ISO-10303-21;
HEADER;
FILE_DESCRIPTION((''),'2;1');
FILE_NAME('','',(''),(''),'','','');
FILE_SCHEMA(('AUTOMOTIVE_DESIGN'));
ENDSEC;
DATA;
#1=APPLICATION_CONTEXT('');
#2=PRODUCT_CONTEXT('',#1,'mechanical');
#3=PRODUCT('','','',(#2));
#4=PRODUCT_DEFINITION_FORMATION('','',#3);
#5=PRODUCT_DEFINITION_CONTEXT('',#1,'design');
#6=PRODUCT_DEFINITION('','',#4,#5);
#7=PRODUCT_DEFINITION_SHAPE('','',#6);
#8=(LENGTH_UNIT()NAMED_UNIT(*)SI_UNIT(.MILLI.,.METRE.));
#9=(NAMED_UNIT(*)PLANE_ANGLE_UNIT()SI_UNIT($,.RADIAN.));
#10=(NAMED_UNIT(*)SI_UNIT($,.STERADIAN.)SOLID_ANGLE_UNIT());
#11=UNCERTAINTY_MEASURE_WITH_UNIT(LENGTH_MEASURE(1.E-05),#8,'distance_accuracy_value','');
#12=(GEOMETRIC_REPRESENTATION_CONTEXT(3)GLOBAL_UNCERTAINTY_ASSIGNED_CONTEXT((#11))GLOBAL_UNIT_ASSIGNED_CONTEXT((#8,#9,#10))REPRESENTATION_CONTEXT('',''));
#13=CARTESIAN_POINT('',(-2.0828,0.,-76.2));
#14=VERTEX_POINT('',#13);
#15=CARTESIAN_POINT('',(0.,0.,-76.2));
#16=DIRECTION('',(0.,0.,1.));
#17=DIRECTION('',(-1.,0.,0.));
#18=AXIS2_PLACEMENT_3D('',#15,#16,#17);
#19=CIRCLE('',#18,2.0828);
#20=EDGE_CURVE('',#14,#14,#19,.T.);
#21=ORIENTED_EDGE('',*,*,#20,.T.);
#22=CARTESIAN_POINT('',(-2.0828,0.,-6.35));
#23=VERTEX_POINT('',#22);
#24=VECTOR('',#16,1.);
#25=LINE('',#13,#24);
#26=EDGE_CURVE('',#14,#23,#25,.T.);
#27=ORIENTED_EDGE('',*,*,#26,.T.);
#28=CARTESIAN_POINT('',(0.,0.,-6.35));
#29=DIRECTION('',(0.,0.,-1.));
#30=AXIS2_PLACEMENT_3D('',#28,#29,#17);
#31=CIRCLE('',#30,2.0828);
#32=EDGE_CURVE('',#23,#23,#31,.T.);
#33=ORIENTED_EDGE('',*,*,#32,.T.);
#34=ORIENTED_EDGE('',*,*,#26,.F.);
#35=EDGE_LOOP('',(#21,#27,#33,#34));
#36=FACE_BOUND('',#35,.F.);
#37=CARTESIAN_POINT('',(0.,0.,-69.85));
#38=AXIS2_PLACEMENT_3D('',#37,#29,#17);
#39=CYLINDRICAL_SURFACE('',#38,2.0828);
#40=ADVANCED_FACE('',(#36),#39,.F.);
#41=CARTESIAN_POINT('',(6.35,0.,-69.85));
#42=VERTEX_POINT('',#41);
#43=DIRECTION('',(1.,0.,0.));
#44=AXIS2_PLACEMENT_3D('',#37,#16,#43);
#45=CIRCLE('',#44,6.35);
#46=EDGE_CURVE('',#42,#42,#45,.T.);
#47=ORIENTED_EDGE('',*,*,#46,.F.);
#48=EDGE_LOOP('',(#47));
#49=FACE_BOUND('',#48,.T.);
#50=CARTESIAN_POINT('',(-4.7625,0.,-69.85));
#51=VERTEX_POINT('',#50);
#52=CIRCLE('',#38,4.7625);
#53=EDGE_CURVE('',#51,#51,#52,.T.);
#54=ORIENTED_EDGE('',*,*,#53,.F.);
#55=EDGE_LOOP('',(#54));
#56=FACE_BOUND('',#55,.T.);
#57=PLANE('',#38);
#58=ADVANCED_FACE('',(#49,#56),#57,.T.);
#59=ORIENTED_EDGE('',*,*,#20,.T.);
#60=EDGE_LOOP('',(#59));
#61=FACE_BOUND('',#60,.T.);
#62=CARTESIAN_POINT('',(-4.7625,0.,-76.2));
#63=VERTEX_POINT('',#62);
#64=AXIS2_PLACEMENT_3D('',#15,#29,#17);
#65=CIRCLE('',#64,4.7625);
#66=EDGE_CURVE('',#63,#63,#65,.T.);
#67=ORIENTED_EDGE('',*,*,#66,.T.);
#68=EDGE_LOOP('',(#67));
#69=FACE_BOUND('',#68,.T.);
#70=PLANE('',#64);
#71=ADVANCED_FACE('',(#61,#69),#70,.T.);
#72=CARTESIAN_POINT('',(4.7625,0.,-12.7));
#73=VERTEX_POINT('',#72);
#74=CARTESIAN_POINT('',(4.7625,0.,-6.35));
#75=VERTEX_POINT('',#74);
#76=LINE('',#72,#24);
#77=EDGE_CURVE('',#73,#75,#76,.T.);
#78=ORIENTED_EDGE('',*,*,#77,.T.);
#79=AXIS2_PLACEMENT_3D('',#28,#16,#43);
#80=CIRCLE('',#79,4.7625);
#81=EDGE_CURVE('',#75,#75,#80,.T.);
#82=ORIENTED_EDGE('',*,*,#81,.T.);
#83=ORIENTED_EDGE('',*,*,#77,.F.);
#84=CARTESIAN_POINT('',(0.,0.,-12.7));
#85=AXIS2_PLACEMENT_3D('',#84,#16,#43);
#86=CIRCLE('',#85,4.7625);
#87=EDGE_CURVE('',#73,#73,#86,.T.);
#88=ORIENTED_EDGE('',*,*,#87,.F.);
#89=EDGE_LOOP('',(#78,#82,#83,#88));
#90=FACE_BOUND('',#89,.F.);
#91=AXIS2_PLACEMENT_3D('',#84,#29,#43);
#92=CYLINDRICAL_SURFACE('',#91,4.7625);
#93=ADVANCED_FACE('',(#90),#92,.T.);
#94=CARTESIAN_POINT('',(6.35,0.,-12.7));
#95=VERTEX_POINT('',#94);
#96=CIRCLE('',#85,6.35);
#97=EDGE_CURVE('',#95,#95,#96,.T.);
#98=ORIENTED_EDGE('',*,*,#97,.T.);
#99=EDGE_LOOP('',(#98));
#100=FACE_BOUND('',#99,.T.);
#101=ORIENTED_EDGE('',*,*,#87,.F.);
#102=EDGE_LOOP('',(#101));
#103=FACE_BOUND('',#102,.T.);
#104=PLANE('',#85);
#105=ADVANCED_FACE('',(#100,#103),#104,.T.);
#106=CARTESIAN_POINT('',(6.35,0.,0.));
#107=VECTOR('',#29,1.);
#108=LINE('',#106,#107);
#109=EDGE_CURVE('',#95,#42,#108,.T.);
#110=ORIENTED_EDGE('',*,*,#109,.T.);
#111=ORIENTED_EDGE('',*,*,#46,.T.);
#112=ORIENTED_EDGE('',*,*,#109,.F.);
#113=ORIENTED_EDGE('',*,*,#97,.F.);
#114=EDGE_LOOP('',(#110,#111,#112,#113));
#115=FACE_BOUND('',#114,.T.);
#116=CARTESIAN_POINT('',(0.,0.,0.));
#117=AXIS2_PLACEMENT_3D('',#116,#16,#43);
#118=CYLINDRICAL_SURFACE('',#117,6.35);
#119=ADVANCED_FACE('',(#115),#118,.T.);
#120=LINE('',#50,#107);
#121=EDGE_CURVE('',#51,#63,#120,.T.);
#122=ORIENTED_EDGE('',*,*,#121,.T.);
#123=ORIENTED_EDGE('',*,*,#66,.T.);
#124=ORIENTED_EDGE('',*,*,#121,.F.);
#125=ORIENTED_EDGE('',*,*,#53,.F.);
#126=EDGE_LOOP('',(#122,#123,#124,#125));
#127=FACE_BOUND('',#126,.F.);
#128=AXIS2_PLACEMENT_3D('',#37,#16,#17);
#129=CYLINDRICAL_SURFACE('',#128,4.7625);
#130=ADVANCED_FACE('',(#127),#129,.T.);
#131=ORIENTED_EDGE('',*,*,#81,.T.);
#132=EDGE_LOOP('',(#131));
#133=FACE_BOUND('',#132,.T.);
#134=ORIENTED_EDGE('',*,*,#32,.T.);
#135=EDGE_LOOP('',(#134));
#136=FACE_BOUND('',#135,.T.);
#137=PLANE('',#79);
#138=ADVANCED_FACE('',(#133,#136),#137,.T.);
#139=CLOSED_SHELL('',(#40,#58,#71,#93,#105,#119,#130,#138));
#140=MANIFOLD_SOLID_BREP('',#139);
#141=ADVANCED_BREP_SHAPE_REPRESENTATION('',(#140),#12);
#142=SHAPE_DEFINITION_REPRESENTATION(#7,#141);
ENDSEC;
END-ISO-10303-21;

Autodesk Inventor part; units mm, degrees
ref_plane "YZ Plane" through (0, 0, 0) normal (1, 0, 0) x (0, 1, 0)
sketch "Sketch1" plane through (0, 0, 0) normal (0, 0, 1) x (1, 0, 0)
  circle A0 centre (0, 0) radius 6.35
  dimension "d0" = 12.7
extrude "Extrusion1" add sketch "Sketch1" against normal blind 82.55
ref_plane "Work Plane4" through (0, 0, -12.7) normal (0, 0, 1) x (1, 0, 0)
sketch "Sketch4" plane through (0, 0, -12.7) normal (0, 0, 1) x (1, 0, 0)
  circle A0 centre (0, 0) radius 6.35 projected
  circle A1 centre (0, 0) radius 4.7625
  circle A2 centre (0, 0) radius 1.7272
  dimension "d27" = 9.525
  dimension "d36" = 3.4544
ref_plane "Work Plane5" through (0, 0, -69.85) normal (0, 0, -1) x (-1, 0, 0)
sketch "Sketch5" plane through (0, 0, -69.85) normal (0, 0, -1) x (-1, 0, 0)
  circle A0 centre (0, 0) radius 6.35 projected
  circle A1 centre (0, 0) radius 4.7625
  circle A2 centre (0, 0) radius 2.0828
  dimension "d24" = 9.525
  dimension "d35" = 4.1656
extrude "Extrusion6" cut sketch "Sketch5" along normal blind 25.4 contours A0 | A1 | A2
extrude "Extrusion7" cut sketch "Sketch4" along normal blind 25.4 contours A0 | A1 | A2
extrude "Extrusion8" add sketch "Sketch4" along normal blind 6.35 contours A1 | A2
extrude "Extrusion9" add sketch "Sketch5" along normal blind 6.35 contours A1 | A2
extrude "Extrusion10" cut sketch "Sketch5" along normal through all both and the other way through all contours A2
thread "Thread6" size "8-32 UNC" class "2B" standard "ANSI Unified Screw Threads" full length
properties part number "lower box weel shaft steel"
